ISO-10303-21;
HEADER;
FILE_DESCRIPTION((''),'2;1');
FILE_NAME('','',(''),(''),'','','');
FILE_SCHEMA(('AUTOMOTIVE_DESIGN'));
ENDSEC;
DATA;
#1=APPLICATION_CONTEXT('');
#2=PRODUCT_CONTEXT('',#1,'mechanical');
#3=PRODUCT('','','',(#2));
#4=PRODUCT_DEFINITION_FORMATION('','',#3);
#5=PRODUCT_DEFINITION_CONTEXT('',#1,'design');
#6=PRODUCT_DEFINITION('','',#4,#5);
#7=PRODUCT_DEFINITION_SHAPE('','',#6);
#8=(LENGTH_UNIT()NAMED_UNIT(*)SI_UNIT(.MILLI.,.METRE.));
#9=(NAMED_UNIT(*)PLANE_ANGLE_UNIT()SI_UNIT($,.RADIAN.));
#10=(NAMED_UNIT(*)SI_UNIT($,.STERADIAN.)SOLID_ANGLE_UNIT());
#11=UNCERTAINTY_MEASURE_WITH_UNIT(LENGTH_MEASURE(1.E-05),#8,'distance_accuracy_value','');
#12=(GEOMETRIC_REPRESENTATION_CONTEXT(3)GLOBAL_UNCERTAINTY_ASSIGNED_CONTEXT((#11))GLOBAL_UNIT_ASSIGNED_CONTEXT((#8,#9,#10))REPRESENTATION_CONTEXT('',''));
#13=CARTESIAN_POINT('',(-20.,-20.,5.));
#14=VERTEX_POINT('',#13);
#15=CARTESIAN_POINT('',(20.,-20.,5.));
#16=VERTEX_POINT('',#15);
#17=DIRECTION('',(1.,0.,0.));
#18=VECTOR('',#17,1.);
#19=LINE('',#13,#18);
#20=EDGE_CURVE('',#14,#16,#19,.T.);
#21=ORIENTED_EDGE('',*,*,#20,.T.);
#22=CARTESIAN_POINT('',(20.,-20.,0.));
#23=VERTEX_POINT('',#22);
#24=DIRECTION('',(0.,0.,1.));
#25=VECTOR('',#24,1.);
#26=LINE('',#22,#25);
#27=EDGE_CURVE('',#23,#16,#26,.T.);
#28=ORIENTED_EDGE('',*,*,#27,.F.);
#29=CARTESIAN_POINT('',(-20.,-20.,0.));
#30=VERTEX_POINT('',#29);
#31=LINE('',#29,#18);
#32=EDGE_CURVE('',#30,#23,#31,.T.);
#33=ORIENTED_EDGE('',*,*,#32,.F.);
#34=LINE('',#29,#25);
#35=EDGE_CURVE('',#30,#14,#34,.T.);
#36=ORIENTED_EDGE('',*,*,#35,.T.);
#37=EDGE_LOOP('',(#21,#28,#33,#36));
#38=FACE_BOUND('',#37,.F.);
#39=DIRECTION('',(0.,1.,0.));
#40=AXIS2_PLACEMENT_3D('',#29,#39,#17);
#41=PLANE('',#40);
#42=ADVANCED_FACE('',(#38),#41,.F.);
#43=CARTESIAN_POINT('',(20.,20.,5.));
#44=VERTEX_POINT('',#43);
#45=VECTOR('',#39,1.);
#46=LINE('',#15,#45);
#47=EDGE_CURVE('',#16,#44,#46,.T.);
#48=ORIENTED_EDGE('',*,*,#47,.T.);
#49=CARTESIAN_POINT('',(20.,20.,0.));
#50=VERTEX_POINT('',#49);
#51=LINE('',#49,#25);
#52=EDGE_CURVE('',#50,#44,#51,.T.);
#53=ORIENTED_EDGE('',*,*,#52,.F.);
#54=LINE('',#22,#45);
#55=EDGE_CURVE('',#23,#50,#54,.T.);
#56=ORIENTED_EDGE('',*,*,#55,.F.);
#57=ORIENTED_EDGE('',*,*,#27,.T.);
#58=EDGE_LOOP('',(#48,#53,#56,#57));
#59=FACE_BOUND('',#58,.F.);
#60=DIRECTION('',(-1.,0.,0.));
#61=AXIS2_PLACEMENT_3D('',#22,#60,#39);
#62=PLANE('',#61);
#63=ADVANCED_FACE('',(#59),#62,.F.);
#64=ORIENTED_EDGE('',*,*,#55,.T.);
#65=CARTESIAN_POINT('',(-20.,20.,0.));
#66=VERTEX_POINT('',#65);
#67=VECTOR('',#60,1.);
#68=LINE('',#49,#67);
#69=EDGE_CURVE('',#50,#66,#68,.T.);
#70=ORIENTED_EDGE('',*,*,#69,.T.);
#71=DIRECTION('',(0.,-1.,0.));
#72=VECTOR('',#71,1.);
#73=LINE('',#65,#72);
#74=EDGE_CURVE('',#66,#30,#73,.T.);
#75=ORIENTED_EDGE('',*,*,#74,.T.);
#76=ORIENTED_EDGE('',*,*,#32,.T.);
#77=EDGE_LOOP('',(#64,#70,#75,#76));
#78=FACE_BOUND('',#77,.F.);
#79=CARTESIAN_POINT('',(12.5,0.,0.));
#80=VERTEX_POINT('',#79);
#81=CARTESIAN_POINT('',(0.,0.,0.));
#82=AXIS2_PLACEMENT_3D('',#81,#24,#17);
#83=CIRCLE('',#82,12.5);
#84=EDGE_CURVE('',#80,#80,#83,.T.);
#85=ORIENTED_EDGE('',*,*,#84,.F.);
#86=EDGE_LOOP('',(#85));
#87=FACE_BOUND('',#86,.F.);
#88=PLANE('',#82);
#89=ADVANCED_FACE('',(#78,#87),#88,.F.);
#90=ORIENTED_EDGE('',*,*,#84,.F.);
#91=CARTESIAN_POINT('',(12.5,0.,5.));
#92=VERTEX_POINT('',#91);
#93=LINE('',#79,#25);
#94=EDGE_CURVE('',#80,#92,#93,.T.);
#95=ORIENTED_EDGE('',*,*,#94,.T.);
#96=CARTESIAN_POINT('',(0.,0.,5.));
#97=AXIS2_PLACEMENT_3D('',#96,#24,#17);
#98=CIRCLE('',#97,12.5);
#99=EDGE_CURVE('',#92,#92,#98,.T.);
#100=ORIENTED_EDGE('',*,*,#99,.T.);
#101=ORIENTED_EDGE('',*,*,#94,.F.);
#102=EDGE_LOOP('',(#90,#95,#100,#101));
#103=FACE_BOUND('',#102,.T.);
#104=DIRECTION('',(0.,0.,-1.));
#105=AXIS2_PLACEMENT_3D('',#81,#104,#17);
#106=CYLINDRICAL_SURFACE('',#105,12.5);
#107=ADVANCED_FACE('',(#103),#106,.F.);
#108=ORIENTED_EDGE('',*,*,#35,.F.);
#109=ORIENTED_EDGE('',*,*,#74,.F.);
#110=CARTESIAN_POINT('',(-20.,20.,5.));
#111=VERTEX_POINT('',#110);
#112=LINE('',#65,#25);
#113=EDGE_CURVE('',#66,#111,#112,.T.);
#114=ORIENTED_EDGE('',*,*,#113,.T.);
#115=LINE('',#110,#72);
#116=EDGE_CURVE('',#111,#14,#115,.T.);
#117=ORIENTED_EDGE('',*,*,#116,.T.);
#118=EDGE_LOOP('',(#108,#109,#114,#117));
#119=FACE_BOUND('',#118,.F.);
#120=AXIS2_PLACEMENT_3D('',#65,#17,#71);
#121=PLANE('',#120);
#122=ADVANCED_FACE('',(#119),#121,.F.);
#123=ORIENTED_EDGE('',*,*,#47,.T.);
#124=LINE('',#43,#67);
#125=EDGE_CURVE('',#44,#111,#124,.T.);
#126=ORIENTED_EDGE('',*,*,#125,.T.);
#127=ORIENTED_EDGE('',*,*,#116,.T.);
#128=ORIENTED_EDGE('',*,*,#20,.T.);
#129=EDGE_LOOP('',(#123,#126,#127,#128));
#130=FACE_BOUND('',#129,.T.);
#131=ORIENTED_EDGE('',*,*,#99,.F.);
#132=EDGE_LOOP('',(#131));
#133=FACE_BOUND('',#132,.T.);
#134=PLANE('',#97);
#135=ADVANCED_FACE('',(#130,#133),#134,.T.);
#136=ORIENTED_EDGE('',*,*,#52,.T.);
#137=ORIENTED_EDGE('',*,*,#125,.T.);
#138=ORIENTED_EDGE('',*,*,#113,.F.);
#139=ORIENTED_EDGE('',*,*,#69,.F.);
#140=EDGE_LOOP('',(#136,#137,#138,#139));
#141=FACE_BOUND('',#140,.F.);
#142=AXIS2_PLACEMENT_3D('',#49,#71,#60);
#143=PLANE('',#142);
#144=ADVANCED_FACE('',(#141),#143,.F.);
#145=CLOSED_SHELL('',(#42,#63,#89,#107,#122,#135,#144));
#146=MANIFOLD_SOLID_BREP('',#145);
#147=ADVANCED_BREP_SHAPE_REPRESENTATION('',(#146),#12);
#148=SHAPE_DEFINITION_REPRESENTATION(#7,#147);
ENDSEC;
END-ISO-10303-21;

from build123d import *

# Parameters (mm, degrees)
F0_R     = 12.5
F1_DEPTH = 5


with BuildPart() as f1:
    # F0 (on Top) → F1 (new body)
    with BuildSketch(Plane.XY):
        Polygon((-20, 20), (-20, 0), (-20, -20), (20, -20), (20, 20), align=None)
        Circle(F0_R, mode=Mode.SUBTRACT)
    extrude(amount=F1_DEPTH)


solid = f1.part
